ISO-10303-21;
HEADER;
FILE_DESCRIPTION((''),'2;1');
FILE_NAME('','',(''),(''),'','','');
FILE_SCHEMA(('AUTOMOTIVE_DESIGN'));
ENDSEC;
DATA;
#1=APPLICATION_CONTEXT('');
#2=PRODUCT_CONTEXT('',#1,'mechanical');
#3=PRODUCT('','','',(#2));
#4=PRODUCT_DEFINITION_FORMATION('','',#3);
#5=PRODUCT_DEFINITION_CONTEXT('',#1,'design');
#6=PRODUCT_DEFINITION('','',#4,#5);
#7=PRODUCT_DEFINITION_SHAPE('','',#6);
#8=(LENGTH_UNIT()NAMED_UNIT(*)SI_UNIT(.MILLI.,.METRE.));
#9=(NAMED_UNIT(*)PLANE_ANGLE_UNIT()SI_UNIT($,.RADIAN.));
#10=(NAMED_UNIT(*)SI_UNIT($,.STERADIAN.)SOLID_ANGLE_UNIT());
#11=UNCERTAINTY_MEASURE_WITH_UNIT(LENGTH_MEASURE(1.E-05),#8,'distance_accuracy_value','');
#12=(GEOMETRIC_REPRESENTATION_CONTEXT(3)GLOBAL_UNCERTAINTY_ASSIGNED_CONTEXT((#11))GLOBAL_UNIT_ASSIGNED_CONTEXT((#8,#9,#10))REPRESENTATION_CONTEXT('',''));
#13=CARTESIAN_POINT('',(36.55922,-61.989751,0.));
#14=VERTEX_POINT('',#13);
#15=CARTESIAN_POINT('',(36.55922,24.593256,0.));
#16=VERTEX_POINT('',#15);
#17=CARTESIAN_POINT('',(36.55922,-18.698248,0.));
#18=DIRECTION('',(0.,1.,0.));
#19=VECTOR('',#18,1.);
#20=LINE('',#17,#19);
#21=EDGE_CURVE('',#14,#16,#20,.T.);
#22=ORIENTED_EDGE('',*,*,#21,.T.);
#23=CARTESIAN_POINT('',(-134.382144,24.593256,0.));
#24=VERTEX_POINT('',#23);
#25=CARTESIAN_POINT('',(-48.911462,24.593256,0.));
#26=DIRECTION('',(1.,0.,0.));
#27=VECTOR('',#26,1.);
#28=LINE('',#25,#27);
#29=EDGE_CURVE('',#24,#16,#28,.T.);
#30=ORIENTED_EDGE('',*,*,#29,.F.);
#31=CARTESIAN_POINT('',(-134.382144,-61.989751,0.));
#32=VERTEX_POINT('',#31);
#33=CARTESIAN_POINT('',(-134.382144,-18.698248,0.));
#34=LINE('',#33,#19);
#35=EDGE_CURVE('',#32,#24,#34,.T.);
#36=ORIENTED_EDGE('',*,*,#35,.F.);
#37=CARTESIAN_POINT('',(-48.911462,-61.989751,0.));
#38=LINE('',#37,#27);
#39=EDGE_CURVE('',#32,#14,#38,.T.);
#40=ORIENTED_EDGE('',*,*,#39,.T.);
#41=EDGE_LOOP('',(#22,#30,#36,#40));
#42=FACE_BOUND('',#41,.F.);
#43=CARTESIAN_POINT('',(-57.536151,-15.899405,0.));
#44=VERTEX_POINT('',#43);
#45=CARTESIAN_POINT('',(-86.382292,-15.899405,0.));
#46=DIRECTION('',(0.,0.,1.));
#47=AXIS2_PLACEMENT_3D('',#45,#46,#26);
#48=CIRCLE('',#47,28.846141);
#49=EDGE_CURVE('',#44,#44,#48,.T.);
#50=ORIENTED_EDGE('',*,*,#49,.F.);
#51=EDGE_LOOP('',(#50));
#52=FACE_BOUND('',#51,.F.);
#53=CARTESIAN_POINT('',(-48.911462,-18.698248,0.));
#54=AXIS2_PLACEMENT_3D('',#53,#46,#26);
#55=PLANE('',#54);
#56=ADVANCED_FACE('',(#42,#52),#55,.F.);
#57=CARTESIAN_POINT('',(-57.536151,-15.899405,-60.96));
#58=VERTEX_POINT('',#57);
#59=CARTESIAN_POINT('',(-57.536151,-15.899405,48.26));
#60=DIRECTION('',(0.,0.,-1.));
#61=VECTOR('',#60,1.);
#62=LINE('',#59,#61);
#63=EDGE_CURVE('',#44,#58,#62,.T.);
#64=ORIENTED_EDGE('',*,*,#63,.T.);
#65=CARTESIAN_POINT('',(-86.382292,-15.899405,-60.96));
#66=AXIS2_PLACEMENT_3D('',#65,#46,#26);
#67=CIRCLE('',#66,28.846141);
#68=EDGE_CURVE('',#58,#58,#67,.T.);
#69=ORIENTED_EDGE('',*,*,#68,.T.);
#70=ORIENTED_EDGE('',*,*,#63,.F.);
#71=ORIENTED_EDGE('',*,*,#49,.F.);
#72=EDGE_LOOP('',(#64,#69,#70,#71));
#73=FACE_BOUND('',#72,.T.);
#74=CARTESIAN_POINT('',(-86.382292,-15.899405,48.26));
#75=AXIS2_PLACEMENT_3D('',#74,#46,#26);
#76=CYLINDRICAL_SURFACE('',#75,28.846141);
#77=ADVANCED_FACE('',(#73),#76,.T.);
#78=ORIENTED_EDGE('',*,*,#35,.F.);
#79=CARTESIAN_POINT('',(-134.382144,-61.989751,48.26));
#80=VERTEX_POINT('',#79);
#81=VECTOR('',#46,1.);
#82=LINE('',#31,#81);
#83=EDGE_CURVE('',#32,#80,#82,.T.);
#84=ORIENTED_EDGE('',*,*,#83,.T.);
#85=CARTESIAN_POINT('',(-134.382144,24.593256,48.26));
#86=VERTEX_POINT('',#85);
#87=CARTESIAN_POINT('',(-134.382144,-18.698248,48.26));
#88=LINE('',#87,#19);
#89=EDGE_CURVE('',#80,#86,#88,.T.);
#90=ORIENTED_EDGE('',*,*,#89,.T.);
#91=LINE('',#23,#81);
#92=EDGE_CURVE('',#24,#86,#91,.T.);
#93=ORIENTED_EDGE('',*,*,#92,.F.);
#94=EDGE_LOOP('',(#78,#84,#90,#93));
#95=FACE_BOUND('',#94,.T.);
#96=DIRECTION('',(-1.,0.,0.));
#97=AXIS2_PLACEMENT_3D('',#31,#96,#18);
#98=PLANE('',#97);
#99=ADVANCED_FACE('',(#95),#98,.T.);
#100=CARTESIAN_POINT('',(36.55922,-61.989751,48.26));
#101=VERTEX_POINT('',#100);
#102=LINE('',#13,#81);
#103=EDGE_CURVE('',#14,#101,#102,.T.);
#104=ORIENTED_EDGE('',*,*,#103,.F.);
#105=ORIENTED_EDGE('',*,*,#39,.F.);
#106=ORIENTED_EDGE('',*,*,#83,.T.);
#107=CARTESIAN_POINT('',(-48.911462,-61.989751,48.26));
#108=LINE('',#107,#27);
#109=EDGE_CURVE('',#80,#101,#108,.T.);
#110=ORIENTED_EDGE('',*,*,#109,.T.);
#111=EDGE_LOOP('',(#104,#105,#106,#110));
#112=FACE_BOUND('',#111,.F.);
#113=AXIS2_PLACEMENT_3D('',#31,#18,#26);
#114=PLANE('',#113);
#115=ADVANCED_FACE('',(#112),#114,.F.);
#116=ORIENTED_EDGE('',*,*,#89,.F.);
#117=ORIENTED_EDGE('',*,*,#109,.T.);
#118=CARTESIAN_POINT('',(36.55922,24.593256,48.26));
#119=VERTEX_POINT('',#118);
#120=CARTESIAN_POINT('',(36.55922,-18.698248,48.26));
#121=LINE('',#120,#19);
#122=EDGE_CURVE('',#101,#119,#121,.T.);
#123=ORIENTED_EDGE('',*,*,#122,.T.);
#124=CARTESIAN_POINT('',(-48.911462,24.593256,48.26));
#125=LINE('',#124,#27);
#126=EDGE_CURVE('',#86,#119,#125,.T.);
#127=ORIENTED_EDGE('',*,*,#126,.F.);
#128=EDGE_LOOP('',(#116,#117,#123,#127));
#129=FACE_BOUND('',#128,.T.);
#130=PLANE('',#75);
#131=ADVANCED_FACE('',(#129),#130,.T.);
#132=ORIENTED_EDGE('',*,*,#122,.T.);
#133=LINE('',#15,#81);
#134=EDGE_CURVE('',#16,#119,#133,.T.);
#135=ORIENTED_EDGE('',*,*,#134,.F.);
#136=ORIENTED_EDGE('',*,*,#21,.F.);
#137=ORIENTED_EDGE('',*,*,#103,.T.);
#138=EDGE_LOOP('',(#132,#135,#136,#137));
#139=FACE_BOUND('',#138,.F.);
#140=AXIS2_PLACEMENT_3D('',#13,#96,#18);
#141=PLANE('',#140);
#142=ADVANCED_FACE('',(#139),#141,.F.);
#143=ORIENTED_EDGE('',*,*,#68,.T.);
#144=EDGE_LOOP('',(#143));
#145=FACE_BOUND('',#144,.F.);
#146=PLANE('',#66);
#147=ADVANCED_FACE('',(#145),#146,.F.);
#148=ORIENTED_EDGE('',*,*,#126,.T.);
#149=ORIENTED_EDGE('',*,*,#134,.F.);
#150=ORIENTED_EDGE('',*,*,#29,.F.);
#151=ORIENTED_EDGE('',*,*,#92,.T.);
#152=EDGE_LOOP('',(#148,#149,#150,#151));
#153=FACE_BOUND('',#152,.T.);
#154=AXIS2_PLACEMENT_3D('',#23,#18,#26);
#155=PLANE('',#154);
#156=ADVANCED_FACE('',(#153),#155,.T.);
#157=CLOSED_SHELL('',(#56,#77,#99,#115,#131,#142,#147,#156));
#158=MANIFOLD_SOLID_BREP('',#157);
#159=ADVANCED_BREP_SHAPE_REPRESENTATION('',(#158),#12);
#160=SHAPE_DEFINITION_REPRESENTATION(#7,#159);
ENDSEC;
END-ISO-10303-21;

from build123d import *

# Parameters (mm, degrees)
F0_W     = 170.941364
F0_H     = 86.583007
F1_DEPTH = 48.26
F2_R     = 28.846141
F3_DEPTH = 109.22


with BuildPart() as f1:
    # F0 (on Top) → F1 (new body)
    with BuildSketch(Plane.XY):
        with Locations((-48.911462, -18.698248)):
            Rectangle(F0_W, F0_H)
    extrude(amount=F1_DEPTH)

    # F2 (on face) → F3 (join)
    with BuildSketch(Plane.XY.offset(48.26)):
        with Locations((-86.382292, -15.899405)):
            Circle(F2_R)
    extrude(amount=-F3_DEPTH)


solid = f1.part
